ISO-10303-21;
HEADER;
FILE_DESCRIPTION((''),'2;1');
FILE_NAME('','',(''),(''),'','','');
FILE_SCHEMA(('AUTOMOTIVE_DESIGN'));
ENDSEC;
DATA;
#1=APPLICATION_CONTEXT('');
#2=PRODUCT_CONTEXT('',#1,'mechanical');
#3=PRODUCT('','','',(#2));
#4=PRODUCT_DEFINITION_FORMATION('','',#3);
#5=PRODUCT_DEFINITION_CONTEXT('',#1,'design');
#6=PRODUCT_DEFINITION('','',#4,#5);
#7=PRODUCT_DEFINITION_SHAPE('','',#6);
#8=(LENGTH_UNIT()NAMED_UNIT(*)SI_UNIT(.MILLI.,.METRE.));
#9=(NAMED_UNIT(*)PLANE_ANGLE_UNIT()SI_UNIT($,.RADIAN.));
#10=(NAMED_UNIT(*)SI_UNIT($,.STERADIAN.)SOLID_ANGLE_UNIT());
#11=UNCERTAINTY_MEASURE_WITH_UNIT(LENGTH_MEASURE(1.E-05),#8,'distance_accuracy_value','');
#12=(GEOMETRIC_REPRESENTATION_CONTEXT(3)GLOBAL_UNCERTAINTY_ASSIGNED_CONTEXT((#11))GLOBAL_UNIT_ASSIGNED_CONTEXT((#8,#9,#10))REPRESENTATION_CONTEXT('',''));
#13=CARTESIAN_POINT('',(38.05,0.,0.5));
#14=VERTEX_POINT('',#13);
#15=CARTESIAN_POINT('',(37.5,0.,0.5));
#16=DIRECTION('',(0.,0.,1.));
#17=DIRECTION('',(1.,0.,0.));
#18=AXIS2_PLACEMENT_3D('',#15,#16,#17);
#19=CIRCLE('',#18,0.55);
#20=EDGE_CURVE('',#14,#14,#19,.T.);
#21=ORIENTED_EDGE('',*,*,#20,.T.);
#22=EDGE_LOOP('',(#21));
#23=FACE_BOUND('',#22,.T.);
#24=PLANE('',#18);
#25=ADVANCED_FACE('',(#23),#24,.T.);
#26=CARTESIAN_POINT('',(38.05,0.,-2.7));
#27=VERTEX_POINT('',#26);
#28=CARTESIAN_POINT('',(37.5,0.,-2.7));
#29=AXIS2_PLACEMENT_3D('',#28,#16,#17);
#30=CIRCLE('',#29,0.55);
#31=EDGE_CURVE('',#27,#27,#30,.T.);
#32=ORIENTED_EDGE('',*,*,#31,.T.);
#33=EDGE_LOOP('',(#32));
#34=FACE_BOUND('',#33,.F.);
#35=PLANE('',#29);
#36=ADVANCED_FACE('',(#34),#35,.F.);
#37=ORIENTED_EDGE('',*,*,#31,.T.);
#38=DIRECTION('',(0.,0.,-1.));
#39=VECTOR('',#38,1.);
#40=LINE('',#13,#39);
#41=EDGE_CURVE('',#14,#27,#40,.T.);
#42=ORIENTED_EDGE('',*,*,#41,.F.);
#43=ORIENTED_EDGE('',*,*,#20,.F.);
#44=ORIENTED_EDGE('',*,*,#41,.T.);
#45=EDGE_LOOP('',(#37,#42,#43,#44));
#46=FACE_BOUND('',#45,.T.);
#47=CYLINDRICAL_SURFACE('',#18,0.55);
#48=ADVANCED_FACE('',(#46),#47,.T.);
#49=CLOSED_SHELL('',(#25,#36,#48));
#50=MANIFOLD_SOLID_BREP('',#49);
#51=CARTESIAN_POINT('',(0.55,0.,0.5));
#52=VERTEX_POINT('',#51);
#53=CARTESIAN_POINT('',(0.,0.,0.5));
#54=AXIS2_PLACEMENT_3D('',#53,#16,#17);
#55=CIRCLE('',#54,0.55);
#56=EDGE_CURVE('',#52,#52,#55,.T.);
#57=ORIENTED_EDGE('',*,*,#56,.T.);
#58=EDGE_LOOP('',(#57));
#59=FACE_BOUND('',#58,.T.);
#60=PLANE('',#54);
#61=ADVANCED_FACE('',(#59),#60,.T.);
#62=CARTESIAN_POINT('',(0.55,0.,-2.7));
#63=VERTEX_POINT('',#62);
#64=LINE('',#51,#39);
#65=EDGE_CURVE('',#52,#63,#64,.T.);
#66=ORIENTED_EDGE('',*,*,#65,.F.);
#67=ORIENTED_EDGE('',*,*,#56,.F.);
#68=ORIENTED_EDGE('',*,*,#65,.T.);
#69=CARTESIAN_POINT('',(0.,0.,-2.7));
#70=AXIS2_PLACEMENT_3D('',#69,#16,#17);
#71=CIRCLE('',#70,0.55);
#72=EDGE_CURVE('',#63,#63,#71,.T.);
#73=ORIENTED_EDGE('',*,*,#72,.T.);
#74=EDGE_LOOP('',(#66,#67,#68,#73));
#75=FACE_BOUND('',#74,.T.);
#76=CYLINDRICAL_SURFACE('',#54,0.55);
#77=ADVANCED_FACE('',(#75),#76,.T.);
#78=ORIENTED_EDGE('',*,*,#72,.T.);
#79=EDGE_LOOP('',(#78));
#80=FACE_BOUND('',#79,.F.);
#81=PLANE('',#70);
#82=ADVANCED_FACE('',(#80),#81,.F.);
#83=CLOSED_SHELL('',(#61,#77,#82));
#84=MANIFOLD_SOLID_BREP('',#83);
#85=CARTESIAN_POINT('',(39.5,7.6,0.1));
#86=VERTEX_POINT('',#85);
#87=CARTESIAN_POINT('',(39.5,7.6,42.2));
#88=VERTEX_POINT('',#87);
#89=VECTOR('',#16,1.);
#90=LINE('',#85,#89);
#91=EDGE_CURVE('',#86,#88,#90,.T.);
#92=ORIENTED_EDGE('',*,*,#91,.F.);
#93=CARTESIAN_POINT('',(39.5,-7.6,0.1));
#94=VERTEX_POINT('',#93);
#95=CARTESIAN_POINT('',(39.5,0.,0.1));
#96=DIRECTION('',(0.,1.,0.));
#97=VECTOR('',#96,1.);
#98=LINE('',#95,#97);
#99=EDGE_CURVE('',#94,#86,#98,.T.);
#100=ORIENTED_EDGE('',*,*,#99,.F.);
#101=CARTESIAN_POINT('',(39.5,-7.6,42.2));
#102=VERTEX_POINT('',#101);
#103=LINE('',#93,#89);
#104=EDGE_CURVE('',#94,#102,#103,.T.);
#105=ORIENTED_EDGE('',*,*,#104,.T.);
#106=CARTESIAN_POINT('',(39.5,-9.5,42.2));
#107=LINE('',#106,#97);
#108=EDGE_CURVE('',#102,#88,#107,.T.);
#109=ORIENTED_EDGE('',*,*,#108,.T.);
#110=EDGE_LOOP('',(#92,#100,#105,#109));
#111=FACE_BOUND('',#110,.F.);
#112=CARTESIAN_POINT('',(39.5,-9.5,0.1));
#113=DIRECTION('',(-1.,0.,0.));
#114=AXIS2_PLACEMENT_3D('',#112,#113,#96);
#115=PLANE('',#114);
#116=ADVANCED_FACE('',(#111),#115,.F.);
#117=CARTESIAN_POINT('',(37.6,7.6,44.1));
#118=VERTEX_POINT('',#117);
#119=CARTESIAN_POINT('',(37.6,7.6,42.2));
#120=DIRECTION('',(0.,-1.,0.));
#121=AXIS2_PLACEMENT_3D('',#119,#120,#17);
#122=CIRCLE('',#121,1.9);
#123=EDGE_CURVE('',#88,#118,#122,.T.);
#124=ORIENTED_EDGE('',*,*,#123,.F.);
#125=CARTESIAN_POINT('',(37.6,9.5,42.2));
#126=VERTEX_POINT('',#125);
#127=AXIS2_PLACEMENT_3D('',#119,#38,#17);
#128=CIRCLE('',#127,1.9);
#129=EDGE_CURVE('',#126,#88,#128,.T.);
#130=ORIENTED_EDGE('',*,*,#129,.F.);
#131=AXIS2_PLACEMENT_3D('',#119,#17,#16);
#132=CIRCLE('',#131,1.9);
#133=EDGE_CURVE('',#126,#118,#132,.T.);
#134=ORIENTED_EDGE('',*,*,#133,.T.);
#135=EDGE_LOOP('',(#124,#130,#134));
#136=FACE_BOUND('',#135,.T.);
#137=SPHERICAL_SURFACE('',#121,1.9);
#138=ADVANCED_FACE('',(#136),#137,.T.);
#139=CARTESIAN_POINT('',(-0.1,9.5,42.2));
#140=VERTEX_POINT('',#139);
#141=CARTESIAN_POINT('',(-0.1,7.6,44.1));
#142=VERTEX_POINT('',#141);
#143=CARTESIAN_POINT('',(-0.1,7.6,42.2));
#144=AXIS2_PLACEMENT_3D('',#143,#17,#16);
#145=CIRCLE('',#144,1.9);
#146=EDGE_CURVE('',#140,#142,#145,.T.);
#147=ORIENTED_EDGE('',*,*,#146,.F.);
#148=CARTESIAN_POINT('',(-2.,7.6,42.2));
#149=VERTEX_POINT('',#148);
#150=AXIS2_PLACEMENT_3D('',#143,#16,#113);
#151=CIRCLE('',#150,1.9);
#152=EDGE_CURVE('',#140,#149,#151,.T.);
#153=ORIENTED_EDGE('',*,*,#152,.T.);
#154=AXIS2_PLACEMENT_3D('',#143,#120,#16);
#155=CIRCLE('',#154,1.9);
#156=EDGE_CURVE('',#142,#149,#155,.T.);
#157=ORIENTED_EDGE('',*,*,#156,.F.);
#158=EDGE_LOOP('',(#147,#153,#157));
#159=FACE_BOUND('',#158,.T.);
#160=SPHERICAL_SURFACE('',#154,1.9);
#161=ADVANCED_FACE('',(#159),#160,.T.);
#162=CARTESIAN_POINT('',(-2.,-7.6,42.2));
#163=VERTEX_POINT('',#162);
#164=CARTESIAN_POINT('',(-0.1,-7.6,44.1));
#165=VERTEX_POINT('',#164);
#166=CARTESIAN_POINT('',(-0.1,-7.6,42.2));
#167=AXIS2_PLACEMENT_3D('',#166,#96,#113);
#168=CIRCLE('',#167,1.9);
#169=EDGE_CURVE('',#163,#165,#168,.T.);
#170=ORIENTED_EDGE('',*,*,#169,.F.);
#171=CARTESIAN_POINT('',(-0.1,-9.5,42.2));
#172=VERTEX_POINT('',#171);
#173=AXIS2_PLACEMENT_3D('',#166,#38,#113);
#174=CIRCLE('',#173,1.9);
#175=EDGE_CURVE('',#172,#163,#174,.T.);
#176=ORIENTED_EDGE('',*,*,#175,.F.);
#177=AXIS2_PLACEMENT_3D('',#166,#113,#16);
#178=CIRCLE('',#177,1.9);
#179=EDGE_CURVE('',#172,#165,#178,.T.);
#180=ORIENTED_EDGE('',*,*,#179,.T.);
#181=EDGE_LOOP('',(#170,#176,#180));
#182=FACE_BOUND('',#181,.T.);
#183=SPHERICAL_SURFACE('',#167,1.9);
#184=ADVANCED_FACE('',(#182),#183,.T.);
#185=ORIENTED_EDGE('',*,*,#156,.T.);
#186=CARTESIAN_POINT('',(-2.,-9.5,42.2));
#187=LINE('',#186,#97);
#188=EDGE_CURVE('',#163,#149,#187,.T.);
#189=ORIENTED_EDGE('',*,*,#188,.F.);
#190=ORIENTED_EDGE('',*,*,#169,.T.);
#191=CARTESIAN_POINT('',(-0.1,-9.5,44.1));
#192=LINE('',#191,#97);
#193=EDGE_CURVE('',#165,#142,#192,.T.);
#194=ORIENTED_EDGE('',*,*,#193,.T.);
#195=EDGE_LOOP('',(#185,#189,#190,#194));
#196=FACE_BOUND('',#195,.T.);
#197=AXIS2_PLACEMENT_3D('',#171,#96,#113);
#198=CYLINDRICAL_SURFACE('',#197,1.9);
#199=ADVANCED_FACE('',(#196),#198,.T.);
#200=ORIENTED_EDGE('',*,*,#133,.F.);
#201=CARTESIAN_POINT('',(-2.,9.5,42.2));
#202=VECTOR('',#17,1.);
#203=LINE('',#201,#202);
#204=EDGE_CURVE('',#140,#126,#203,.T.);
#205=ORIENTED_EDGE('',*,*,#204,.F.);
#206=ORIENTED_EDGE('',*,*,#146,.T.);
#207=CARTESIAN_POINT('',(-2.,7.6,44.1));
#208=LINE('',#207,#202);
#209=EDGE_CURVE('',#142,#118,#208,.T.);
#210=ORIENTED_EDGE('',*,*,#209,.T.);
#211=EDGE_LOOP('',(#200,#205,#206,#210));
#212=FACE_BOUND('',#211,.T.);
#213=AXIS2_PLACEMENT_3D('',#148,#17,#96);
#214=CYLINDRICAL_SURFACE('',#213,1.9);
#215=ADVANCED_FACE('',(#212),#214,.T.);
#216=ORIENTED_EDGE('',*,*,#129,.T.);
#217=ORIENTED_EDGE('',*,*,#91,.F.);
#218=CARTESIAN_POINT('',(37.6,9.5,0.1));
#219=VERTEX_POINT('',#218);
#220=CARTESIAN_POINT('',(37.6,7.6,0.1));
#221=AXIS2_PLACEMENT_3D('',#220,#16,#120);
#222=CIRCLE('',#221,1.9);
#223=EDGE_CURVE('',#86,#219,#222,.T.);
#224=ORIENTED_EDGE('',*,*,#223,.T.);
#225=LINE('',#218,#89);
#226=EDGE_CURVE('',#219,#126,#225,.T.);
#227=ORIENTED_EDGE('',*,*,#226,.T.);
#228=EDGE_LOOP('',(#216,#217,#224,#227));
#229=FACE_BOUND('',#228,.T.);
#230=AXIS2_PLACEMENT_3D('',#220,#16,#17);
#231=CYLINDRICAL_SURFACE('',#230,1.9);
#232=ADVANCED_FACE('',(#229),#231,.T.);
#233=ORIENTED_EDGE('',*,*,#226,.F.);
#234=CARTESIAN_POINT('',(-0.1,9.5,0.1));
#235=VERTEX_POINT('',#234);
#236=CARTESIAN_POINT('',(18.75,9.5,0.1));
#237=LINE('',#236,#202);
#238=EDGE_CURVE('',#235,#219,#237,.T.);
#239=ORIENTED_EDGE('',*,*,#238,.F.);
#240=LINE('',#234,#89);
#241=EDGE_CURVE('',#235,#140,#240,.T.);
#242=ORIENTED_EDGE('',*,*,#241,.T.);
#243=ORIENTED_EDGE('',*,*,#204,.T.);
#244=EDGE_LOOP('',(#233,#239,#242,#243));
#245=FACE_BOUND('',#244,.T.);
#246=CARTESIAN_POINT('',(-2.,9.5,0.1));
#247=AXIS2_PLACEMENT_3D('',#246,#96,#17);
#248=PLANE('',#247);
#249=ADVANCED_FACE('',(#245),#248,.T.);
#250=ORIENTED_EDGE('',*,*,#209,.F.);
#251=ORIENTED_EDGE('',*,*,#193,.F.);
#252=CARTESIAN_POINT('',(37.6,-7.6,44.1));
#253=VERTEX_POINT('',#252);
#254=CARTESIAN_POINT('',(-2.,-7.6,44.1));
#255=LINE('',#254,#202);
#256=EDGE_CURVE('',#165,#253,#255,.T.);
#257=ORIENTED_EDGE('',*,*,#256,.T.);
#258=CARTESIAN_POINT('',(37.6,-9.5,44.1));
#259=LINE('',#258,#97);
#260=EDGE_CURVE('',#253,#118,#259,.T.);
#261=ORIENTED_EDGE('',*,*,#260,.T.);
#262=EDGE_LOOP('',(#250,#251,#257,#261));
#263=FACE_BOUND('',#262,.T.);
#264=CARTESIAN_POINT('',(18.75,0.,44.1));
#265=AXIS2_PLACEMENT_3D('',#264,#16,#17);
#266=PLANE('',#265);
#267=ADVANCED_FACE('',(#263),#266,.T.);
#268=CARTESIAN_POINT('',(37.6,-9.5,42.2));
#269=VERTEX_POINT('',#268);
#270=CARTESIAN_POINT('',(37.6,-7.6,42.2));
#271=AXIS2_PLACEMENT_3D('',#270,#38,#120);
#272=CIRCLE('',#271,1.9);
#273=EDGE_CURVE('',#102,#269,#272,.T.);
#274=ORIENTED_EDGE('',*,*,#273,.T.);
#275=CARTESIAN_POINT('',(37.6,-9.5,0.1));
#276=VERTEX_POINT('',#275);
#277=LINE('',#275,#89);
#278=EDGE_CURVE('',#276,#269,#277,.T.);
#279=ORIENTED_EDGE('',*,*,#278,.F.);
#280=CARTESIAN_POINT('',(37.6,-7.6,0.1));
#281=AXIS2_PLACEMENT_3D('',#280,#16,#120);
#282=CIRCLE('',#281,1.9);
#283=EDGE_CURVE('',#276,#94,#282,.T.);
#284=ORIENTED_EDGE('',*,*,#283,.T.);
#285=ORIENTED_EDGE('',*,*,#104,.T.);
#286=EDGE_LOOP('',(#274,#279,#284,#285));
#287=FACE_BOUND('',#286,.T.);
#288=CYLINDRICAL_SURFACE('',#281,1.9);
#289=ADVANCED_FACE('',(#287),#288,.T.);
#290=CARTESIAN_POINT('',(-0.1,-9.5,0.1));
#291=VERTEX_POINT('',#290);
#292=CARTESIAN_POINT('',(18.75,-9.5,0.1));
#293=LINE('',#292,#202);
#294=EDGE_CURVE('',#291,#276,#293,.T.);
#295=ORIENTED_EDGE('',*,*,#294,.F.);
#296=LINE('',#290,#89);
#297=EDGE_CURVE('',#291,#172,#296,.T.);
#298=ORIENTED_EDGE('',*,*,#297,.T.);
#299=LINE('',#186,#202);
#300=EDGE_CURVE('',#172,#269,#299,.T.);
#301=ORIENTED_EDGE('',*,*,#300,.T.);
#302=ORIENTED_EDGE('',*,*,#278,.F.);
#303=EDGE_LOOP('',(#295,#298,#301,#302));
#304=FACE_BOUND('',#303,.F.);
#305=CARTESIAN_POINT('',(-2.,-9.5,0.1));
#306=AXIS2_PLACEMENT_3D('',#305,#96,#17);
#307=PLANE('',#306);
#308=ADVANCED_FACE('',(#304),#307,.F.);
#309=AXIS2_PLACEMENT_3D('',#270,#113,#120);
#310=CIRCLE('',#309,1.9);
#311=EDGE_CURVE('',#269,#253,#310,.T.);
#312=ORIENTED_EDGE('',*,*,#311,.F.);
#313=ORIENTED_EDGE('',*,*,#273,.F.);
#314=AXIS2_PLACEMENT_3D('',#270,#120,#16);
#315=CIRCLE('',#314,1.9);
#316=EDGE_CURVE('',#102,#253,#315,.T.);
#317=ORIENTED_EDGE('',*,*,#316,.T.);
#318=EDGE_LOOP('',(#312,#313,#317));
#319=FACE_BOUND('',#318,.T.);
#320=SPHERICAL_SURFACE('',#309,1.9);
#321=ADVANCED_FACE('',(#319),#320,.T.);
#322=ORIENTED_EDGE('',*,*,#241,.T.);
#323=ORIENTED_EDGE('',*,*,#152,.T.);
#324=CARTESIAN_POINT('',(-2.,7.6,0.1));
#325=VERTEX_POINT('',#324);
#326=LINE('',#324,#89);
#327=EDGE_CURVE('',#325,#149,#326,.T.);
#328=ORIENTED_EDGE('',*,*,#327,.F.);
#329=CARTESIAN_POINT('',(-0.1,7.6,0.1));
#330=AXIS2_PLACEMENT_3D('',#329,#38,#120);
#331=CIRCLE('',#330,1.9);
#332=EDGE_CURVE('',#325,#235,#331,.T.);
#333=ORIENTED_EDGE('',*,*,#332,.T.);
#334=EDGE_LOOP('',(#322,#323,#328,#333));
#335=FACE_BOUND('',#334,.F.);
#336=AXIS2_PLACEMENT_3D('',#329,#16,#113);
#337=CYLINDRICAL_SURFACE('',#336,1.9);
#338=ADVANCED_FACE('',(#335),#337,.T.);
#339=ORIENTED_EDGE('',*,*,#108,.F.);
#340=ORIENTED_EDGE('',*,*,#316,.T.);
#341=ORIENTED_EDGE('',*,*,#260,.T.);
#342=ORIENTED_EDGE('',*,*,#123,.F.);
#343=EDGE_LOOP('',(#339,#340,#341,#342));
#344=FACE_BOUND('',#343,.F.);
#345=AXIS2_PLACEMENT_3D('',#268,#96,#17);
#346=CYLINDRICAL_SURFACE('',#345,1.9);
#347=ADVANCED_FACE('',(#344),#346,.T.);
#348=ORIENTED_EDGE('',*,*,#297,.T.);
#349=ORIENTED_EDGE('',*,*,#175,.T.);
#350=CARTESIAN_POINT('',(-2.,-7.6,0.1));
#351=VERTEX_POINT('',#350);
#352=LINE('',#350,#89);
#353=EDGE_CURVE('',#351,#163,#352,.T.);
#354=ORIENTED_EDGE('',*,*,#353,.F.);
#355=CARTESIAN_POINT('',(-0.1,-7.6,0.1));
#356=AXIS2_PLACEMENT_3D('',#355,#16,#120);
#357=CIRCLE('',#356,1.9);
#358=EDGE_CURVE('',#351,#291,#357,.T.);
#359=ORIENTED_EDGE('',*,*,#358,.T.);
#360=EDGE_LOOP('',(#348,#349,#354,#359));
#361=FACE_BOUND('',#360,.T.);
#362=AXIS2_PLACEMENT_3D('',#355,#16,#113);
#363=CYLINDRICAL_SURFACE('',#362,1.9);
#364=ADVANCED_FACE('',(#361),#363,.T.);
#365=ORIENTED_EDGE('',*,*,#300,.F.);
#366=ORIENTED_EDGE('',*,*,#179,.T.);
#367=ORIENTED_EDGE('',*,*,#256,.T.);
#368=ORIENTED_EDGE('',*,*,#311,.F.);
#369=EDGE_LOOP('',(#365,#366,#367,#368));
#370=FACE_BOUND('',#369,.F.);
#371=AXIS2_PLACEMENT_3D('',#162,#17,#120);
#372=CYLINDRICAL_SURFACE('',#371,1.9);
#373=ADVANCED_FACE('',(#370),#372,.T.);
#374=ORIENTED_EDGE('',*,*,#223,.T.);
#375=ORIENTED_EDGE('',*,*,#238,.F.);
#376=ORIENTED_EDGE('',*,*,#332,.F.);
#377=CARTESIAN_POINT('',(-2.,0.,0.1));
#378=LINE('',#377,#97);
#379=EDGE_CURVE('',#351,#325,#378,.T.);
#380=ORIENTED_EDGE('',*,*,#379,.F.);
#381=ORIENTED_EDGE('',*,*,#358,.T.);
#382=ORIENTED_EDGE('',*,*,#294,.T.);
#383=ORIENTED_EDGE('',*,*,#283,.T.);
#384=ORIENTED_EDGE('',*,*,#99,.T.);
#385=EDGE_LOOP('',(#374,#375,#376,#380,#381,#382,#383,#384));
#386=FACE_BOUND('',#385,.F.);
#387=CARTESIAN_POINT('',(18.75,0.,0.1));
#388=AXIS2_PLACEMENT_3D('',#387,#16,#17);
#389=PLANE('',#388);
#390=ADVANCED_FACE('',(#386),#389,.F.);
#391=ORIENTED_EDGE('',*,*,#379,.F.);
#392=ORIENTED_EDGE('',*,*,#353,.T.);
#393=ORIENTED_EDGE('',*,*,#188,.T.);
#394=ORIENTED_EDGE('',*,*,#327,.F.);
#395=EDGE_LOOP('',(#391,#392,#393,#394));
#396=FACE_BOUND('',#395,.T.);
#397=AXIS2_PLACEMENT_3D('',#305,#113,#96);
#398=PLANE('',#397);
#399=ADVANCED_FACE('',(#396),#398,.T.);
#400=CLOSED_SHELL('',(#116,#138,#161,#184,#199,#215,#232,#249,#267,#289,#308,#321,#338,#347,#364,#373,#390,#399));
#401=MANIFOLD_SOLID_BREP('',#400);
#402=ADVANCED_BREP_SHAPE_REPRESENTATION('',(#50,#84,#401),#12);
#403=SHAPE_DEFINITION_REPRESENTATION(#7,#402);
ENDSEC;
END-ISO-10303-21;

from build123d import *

# Parameters (mm, degrees)
SKETCH_W     = 41.5
SKETCH_H     = 19
PAD_DEPTH    = 44
FILLET_R     = 1.9
SKETCH001_R  = 0.55
PAD001_DEPTH = 3.2


with BuildPart() as fillet_body:
    # Sketch → Pad (new body)
    with BuildSketch(Plane.XY.offset(0.1)):
        with Locations((18.75, 0)):
            Rectangle(SKETCH_W, SKETCH_H)
    extrude(amount=PAD_DEPTH)

    # Fillet
    fillet_edges = [fillet_body.edges().sort_by_distance(p)[0] for p in [
        (-2, 0, 44.1),
        (-2, -9.5, 22.1),
        (18.75, -9.5, 44.1),
        (39.5, -9.5, 22.1),
        (39.5, 0, 44.1),
        (39.5, 9.5, 22.1),
        (18.75, 9.5, 44.1),
        (-2, 9.5, 22.1),
    ]]
    fillet(fillet_edges, radius=FILLET_R)


with BuildPart() as pad001:
    # Sketch001 → Pad001 (new body)
    with BuildSketch(Plane.XY.offset(0.5)):
        Circle(SKETCH001_R)
        with Locations((37.5, 0)):
            Circle(SKETCH001_R)
    extrude(amount=-PAD001_DEPTH)


solid = Compound([fillet_body.part, pad001.part])
